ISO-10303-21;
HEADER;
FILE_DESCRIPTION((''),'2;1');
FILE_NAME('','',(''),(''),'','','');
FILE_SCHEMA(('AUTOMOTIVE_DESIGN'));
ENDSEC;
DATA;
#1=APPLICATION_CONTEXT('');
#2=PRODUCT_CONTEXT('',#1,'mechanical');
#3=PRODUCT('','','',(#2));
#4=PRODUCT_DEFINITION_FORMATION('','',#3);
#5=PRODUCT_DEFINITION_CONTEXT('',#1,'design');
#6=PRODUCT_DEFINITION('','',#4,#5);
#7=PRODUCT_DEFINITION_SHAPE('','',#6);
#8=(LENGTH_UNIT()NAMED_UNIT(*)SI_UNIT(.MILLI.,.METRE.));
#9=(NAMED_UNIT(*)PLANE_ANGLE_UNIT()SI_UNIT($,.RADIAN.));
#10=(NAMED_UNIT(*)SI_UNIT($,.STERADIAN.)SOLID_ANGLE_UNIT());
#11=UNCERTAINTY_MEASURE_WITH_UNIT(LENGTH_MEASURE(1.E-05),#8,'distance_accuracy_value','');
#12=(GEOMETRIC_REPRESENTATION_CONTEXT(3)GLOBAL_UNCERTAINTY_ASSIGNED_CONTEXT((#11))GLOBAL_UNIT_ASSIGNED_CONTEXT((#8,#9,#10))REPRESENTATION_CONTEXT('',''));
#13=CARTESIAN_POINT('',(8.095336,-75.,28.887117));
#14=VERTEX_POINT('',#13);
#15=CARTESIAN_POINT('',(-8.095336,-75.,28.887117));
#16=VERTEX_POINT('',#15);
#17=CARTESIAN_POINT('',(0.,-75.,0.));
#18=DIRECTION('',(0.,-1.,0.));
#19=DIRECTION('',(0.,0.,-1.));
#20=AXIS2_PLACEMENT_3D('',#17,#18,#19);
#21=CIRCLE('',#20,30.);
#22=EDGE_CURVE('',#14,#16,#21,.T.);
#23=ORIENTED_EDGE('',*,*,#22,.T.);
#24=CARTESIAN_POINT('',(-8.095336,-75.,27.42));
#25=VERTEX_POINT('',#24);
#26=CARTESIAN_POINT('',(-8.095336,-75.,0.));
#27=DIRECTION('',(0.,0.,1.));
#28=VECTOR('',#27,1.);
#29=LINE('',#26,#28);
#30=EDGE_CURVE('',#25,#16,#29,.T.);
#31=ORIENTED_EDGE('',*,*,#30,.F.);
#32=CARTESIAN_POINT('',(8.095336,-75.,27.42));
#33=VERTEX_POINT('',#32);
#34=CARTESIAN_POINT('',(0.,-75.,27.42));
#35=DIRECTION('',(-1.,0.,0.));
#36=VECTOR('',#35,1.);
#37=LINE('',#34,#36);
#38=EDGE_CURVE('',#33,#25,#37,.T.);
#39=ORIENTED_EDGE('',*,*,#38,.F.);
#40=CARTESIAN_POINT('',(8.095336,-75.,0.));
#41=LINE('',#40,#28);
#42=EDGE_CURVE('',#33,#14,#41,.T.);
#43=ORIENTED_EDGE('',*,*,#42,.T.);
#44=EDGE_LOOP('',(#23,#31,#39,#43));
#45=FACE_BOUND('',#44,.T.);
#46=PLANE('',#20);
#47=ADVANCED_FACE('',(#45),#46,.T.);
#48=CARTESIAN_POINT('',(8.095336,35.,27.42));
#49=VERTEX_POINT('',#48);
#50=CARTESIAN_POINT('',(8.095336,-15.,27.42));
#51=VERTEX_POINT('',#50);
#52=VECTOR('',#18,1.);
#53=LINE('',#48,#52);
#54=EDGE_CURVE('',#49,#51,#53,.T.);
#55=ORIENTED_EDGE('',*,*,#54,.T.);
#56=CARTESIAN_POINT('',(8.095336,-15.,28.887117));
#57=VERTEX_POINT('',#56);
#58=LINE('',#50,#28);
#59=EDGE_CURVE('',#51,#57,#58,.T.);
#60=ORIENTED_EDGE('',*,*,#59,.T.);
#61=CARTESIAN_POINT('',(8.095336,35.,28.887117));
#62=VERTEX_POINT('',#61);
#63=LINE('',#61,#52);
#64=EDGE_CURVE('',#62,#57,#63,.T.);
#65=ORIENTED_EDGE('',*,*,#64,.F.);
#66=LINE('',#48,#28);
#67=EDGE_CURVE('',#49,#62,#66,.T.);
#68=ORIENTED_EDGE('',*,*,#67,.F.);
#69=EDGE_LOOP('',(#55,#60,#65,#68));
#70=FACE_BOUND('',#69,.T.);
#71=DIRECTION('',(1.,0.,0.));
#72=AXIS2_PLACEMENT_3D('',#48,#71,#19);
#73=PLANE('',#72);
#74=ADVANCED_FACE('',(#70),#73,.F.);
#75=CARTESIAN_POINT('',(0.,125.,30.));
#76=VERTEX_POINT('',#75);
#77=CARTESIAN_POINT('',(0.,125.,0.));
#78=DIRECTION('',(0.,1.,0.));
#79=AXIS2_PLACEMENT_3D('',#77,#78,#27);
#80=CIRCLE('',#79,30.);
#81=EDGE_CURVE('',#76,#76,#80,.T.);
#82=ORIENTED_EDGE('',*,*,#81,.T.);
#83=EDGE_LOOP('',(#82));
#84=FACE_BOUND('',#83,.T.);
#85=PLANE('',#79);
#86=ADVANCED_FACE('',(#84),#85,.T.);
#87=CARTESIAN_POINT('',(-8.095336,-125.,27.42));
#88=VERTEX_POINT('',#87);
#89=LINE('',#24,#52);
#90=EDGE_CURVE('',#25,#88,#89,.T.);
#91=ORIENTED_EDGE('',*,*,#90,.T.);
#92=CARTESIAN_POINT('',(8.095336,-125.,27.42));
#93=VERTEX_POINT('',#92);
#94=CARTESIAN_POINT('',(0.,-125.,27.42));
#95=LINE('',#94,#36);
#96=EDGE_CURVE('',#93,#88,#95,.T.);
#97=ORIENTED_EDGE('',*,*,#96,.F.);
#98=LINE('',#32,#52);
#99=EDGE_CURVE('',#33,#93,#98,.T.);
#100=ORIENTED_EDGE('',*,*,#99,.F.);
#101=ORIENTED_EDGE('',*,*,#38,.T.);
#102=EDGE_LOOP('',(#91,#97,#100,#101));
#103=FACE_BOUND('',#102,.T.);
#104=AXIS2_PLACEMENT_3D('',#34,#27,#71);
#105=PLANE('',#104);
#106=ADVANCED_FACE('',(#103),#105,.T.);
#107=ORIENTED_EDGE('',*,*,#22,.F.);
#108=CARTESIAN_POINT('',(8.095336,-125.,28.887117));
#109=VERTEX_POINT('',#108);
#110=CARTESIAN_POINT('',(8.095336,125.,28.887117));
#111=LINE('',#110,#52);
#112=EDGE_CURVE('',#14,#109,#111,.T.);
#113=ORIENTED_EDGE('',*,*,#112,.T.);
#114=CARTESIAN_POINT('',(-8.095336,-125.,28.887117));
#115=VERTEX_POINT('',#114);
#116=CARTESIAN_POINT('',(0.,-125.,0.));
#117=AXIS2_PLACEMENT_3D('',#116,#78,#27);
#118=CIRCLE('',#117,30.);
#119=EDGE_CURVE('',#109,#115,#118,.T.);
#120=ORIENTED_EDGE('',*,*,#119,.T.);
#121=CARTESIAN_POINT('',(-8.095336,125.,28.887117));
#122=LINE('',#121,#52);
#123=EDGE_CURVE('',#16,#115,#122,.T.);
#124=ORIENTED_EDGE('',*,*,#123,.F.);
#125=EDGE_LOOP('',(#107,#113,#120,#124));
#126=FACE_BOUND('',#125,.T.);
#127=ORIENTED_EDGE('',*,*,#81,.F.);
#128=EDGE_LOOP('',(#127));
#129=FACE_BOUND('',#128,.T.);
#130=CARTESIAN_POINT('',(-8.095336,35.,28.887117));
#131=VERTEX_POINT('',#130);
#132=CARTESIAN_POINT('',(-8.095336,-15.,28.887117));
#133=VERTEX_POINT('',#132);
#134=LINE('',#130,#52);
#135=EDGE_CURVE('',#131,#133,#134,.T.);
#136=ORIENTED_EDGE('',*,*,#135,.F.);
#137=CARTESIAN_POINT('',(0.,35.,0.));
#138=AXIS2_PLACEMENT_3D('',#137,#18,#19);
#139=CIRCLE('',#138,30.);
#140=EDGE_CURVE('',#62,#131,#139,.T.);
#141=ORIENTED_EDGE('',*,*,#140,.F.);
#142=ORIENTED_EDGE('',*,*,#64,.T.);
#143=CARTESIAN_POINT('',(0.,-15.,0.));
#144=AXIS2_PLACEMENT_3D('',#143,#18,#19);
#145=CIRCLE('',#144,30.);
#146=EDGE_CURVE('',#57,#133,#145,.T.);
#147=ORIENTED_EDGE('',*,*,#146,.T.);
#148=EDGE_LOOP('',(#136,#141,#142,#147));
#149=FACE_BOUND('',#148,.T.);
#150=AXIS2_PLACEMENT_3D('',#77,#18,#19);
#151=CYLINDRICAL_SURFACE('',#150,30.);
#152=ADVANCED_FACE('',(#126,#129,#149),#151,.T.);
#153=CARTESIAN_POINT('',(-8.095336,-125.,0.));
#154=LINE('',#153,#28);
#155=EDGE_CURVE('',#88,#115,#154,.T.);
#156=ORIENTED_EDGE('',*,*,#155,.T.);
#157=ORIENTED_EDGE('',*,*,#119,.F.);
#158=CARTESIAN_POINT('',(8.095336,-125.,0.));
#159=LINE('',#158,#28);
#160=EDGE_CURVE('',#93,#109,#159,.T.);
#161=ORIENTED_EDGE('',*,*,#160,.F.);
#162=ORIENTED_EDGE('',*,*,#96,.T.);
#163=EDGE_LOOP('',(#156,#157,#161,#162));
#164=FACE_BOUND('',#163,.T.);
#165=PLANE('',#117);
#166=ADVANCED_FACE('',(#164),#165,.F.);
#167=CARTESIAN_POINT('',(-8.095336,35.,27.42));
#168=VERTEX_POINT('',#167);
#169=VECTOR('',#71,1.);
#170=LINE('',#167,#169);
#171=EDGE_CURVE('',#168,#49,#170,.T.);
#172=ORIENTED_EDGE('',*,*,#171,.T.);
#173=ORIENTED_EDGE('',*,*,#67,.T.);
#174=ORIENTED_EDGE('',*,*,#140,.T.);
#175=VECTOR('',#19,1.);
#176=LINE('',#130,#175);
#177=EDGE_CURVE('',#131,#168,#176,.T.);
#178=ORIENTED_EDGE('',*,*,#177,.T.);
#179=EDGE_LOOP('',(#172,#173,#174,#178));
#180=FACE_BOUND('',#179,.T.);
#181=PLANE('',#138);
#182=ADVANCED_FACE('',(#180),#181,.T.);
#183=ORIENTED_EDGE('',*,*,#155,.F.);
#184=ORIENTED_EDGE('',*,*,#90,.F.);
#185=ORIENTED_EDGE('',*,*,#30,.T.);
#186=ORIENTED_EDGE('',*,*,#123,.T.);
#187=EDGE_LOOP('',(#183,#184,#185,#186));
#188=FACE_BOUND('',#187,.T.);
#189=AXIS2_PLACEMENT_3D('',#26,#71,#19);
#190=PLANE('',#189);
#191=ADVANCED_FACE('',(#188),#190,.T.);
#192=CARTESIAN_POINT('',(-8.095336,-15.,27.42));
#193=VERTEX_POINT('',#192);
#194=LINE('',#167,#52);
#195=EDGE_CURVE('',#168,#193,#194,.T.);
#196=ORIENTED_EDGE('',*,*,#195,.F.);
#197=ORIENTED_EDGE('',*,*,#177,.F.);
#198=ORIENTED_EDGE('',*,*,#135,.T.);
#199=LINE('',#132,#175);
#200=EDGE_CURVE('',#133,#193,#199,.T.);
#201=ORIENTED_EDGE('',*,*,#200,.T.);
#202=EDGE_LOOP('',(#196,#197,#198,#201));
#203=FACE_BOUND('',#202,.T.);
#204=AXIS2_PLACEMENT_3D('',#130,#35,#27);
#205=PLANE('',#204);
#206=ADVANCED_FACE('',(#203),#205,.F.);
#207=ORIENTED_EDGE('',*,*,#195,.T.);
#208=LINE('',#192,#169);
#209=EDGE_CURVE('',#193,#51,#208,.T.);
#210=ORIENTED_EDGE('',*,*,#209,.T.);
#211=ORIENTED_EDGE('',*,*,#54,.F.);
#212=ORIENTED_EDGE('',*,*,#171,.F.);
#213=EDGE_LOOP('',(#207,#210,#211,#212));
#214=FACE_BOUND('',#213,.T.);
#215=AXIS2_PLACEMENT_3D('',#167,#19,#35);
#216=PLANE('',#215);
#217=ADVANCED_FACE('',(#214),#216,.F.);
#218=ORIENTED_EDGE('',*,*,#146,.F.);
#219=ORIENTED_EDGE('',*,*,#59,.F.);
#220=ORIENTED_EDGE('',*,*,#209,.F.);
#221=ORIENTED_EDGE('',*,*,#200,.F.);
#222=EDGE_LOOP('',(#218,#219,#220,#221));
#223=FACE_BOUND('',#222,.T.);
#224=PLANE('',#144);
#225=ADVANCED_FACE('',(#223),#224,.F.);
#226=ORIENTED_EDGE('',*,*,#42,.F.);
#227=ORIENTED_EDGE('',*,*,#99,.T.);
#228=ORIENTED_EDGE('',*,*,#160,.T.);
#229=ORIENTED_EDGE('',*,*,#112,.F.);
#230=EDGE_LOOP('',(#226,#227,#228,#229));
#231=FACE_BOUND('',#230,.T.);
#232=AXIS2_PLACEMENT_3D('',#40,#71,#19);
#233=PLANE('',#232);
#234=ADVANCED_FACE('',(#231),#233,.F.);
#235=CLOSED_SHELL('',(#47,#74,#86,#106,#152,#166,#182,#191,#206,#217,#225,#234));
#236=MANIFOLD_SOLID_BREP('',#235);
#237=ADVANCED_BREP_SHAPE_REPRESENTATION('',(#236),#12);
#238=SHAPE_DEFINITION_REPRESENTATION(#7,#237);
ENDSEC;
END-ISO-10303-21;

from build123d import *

# Parameters (mm, degrees)
SKETCH2_R           = 30
BOSS_EXTRUDE1_DEPTH = 125
CUT_EXTRUDE1_START  = -50
CUT_EXTRUDE1_DEPTH  = 50
CUT_EXTRUDE2_START  = -50
CUT_EXTRUDE2_DEPTH  = 50


with BuildPart() as part:
    # Sketch2 → Boss-Extrude1 (new, symmetric)
    with BuildSketch(Plane(origin=(0, 0, 0), x_dir=(1, 0, 0), z_dir=(0, 1, 0))):
        with Locations(Location((0, 0, 0), (0, 0, 270))):
            Circle(SKETCH2_R)
    extrude(amount=BOSS_EXTRUDE1_DEPTH, both=True)

    # Sketch3 → Cut-Extrude1 (cut)
    with BuildSketch(Plane.XZ.offset(125).offset(CUT_EXTRUDE1_START)):
        with BuildLine():
            ThreePointArc((-8.095335695, 28.887117197), (0, 30), (8.095335695, 28.887117197))
            Line((8.095335695, 28.887117197), (8.095335695, 34.42))
            Line((8.095335695, 34.42), (-8.095335695, 34.42))
            Line((-8.095335695, 34.42), (-8.095335695, 28.887117197))
        make_face()
        with BuildLine():
            Line((-8.095335695, 27.42), (8.095335695, 27.42))
            Line((8.095335695, 27.42), (8.095335695, 28.887117197))
            ThreePointArc((8.095335695, 28.887117197), (0, 30), (-8.095335695, 28.887117197))
            Line((-8.095335695, 28.887117197), (-8.095335695, 27.42))
        make_face()
    extrude(amount=CUT_EXTRUDE1_DEPTH, mode=Mode.SUBTRACT)

    # Sketch4 → Cut-Extrude2 (cut)
    with BuildSketch(Plane(origin=(0, -15, 0), x_dir=(-1, 0, 0), z_dir=(0, -1, 0)).offset(CUT_EXTRUDE2_START)):
        with BuildLine():
            Line((8.095335695, -28.887117197), (8.095335695, -27.42))
            Line((8.095335695, -27.42), (-8.095335695, -27.42))
            Line((-8.095335695, -27.42), (-8.095335695, -28.887117197))
            ThreePointArc((-8.095335695, -28.887117197), (0, -30), (8.095335695, -28.887117197))
        make_face()
    extrude(amount=CUT_EXTRUDE2_DEPTH, mode=Mode.SUBTRACT)


solid = part.part
